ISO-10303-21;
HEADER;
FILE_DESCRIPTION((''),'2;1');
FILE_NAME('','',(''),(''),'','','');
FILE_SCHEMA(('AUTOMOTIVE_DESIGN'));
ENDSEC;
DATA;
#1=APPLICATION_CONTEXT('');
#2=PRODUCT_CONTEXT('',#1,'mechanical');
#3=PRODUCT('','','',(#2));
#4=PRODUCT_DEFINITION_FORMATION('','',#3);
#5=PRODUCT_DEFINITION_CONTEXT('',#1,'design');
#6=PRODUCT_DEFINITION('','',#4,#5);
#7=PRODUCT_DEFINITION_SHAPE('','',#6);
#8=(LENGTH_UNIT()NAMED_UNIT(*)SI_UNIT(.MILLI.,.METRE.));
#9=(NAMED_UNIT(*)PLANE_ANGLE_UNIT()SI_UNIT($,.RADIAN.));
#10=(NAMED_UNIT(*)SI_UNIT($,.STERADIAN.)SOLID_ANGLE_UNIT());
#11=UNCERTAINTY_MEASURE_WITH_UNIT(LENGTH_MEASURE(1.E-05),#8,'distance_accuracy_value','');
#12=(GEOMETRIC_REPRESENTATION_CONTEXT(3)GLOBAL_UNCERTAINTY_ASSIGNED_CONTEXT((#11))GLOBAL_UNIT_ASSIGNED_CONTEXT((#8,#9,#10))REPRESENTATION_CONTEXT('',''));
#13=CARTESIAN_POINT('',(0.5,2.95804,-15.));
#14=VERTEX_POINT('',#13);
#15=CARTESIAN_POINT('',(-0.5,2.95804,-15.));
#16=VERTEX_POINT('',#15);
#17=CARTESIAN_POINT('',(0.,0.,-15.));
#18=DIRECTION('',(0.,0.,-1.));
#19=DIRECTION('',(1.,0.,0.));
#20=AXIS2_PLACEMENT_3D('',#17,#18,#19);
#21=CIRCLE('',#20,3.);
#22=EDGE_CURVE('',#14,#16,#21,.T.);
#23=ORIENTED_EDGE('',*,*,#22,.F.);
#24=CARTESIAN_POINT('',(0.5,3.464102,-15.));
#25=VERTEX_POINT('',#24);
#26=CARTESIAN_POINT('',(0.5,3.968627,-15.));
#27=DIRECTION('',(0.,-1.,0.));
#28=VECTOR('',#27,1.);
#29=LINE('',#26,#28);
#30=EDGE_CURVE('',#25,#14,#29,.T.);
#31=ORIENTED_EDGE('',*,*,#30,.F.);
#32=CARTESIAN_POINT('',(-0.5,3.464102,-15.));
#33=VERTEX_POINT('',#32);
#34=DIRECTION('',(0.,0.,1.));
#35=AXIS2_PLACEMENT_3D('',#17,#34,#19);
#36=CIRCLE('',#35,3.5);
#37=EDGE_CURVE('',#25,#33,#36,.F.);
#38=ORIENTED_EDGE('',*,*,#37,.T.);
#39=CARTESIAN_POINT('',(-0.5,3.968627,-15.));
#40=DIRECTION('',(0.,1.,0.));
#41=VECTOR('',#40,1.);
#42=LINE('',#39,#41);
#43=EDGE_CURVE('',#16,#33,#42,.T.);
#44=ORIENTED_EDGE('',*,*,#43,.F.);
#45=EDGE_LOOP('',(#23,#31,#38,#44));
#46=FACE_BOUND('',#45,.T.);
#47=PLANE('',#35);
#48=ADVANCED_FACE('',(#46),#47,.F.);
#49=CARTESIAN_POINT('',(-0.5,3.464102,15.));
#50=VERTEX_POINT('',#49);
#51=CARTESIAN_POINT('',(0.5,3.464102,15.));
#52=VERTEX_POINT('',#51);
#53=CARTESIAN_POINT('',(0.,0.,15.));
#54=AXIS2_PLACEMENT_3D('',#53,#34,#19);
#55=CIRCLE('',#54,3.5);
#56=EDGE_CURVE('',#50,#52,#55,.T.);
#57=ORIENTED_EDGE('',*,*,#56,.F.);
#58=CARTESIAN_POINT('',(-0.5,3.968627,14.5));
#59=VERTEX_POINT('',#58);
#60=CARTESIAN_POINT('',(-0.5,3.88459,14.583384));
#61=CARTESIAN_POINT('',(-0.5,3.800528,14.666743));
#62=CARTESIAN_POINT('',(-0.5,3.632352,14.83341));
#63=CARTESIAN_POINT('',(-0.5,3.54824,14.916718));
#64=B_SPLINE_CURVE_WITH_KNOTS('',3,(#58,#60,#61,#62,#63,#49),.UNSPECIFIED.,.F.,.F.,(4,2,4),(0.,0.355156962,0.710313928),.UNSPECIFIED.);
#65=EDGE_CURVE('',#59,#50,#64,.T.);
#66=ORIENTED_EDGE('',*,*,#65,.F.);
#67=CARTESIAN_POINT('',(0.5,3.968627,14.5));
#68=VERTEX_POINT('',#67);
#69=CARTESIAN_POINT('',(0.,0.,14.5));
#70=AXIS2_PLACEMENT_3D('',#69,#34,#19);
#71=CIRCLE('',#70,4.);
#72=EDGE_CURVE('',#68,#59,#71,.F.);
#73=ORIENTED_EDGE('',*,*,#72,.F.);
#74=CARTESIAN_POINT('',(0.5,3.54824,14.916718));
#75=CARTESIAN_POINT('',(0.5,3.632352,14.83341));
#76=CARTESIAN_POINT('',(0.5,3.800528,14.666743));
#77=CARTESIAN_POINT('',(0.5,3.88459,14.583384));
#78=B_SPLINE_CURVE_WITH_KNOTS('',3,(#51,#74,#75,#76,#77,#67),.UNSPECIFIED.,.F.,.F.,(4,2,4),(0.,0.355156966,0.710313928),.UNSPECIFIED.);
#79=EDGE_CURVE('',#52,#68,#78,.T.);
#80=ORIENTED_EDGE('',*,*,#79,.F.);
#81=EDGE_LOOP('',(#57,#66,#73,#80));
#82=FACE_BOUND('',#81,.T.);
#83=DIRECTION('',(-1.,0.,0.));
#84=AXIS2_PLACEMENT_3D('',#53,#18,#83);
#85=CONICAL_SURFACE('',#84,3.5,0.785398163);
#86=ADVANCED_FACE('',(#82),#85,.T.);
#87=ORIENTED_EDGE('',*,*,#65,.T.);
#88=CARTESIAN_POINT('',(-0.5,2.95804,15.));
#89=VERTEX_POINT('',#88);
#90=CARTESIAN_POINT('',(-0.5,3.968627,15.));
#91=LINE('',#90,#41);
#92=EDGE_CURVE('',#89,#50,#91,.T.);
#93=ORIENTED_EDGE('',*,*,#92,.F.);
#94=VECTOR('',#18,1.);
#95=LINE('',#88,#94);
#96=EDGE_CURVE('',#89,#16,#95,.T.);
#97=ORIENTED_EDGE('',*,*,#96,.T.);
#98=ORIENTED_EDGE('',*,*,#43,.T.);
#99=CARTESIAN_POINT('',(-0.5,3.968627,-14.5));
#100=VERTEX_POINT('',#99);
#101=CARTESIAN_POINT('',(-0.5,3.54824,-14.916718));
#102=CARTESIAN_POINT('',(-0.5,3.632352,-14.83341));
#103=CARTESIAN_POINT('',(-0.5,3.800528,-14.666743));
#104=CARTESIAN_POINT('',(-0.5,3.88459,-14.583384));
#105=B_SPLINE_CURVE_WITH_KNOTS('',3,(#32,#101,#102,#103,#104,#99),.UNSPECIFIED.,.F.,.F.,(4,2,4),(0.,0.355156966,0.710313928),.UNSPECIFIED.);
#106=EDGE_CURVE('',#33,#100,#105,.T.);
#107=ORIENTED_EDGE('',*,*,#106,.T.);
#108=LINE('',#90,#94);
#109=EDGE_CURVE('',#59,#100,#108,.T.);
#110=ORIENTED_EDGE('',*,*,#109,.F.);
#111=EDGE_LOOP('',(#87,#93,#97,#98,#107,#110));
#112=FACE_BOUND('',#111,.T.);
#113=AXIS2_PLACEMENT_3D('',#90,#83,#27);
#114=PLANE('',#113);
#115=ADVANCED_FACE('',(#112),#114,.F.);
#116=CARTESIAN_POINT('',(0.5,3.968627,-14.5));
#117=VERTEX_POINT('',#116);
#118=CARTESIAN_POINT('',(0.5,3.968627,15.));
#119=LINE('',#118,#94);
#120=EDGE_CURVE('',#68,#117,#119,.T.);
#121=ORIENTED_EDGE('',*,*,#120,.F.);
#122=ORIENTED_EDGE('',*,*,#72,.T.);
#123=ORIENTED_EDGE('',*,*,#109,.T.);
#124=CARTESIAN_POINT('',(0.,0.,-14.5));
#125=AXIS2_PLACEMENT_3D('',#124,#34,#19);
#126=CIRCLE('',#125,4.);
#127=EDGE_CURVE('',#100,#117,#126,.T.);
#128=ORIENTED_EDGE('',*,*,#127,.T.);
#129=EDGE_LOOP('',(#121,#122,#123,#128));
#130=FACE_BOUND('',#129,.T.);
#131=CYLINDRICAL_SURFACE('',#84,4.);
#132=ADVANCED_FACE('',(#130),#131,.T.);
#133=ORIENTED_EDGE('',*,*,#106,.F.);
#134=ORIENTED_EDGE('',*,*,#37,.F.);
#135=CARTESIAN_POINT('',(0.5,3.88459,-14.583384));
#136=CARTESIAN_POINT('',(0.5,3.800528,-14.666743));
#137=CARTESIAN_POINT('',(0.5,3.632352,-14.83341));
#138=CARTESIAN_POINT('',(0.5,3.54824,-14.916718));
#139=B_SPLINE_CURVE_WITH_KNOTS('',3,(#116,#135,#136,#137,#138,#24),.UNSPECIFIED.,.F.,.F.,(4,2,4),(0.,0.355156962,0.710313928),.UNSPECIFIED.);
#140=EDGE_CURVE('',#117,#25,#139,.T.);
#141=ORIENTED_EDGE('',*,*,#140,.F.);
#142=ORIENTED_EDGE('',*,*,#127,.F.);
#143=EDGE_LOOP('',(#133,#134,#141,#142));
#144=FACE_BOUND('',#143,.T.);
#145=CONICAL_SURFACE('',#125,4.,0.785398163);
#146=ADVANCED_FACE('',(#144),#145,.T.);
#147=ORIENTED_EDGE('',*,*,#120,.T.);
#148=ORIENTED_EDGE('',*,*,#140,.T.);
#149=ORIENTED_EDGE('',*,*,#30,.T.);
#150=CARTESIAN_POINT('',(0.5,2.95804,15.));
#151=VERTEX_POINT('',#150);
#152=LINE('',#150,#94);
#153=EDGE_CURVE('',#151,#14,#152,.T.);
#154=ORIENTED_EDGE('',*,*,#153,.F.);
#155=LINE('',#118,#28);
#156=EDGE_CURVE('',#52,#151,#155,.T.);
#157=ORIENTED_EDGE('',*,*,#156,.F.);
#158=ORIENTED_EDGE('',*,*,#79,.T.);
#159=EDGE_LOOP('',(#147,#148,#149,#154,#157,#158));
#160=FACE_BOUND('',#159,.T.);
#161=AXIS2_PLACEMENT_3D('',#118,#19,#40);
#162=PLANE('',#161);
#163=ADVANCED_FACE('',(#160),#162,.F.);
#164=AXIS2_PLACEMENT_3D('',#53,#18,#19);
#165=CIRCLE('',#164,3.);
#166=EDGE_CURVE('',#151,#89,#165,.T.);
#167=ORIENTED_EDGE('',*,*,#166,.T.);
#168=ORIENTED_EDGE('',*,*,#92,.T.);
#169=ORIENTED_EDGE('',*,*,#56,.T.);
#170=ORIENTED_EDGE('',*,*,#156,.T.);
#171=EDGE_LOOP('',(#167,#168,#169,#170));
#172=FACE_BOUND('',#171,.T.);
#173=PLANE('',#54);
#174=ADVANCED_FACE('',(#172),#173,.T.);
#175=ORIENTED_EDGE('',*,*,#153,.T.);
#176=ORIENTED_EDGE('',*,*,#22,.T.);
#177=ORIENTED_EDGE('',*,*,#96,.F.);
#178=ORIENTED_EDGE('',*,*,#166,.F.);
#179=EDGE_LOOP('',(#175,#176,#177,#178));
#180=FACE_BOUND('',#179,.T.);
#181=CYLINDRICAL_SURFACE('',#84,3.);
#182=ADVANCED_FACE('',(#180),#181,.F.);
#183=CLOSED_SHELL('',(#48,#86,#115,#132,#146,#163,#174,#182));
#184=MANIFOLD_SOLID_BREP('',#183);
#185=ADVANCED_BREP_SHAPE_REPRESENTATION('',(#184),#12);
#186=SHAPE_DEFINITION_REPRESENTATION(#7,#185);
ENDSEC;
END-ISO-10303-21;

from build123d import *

# Parameters (mm, degrees)
EXTRUSION1_DEPTH      = 15
EXTRUSION1_DEPTH_BACK = 15
CHANFREIN1_SIZE       = 0.5


with BuildPart() as part:
    # Esquisse1 → Extrusion1 (new body, two sides)
    with BuildSketch(Plane.XY) as extrusion1_sk:
        with BuildLine():
            Line((0.5, 3.968626967), (0.5, 2.958039892))
            ThreePointArc((0.5, 2.958039892), (0, -3), (-0.5, 2.958039892))
            Line((-0.5, 2.958039892), (-0.5, 3.968626967))
            ThreePointArc((-0.5, 3.968626967), (0, -4), (0.5, 3.968626967))
        make_face()
    extrude(amount=EXTRUSION1_DEPTH)
    extrude(extrusion1_sk.sketch, amount=-EXTRUSION1_DEPTH_BACK)

    # Chanfrein1
    chanfrein1_edges = [part.edges().sort_by_distance(p)[0] for p in [
        (0, -4, -15),
        (0, -4, 15),
    ]]
    chamfer(chanfrein1_edges, length=CHANFREIN1_SIZE)


solid = part.part
